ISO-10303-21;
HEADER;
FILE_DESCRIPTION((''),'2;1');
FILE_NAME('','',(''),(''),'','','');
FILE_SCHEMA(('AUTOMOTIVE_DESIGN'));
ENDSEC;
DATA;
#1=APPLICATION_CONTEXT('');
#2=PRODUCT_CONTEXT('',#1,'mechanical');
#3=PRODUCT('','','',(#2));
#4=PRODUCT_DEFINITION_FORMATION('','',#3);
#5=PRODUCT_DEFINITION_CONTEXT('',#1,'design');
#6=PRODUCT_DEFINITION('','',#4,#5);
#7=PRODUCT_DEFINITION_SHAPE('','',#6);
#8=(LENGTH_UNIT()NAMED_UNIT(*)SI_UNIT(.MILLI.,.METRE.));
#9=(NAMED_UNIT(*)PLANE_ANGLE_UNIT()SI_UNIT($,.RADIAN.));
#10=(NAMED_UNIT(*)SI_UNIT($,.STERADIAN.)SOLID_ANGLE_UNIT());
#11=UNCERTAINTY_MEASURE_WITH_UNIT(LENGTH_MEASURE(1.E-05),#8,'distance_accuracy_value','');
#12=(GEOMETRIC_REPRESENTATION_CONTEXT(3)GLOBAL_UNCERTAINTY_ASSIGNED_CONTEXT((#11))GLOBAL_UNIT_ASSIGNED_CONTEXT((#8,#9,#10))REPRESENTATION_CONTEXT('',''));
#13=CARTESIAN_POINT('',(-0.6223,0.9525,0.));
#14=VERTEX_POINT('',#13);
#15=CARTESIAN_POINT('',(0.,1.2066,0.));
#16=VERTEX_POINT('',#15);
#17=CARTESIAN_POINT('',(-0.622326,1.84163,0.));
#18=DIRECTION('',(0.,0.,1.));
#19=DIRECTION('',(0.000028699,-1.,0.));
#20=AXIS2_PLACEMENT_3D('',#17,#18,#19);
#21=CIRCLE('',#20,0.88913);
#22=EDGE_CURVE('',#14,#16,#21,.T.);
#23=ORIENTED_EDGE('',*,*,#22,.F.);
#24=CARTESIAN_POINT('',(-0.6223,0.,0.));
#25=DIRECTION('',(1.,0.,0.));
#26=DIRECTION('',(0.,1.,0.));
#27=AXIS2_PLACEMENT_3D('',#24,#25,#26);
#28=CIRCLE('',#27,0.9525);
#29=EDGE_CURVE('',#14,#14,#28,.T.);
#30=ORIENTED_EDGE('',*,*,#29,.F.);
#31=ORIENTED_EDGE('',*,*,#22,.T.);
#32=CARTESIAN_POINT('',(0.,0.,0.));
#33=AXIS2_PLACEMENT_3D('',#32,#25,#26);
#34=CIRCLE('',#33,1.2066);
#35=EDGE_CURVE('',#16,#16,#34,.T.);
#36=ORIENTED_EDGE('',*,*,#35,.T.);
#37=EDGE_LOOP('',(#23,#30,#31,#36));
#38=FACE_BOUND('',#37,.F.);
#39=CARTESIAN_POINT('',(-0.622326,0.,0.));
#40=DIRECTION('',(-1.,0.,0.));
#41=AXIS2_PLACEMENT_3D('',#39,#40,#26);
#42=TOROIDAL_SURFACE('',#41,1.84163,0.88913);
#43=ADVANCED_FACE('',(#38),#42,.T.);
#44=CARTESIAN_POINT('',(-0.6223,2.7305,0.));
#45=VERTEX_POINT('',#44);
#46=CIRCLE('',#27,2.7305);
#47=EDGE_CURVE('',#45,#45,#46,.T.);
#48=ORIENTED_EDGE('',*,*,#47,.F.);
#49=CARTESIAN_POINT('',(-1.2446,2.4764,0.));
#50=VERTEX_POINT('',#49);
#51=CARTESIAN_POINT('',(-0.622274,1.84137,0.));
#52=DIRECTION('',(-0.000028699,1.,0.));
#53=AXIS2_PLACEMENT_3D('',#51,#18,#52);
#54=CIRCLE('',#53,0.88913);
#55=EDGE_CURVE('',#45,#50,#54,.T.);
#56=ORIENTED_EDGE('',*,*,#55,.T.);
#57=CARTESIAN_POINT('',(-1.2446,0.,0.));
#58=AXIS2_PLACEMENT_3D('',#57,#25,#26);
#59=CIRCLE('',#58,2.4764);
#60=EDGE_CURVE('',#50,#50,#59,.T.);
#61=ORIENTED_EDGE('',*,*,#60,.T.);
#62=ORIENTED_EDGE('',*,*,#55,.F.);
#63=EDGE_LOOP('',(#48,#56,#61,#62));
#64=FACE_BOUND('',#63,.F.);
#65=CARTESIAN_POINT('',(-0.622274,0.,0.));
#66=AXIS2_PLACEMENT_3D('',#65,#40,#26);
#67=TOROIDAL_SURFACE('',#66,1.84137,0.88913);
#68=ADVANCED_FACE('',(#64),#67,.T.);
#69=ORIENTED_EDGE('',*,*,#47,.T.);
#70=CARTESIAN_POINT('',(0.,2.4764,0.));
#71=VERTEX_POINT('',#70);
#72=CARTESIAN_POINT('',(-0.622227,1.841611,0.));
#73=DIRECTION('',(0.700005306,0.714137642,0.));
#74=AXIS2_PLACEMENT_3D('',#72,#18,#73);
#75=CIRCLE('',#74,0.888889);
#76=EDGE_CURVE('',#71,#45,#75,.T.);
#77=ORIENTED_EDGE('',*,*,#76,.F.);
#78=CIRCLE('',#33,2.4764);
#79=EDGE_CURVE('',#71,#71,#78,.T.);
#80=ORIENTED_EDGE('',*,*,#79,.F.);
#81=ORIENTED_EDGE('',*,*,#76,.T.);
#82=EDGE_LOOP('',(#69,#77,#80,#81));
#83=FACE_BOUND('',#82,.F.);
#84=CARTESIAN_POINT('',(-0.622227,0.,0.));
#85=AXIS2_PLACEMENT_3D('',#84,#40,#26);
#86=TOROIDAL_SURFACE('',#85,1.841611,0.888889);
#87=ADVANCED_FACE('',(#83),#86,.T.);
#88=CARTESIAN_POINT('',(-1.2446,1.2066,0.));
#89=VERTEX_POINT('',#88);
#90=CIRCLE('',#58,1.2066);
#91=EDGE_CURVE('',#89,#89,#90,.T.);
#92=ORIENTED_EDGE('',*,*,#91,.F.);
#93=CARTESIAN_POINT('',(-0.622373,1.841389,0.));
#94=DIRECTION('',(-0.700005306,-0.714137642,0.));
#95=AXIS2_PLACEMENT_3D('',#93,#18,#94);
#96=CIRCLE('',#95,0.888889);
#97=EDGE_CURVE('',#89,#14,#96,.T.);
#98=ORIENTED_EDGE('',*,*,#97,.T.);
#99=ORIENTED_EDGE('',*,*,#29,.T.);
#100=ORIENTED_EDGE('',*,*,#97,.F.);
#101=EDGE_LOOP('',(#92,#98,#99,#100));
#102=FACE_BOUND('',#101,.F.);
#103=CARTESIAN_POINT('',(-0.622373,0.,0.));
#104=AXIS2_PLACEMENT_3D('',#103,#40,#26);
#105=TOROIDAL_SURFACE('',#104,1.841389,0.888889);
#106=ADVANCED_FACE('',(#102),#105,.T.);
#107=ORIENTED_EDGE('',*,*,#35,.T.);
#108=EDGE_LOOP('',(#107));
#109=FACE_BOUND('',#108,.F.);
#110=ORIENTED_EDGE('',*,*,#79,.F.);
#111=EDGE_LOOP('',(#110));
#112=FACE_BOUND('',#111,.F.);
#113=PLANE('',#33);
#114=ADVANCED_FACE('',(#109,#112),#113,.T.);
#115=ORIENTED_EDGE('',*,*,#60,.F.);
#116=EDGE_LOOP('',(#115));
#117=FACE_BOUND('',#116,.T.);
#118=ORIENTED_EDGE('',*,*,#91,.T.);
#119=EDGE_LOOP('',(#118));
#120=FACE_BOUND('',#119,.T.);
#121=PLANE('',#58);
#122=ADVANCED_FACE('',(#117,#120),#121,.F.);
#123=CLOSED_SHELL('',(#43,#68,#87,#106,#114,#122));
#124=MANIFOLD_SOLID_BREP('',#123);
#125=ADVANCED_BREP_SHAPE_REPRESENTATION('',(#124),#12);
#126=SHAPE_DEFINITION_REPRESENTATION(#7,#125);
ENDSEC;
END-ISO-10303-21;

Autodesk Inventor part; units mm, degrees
ref_plane "YZ Plane" through (0, 0, 0) normal (1, 0, 0) x (0, 1, 0)
ref_plane "XZ Plane" through (0, 0, 0) normal (0, 1, 0) x (-1, 0, 0)
ref_plane "XY Plane" through (0, 0, 0) normal (0, 0, 1) x (1, 0, 0)
sketch "Sketch1" plane through (0, 0, 0) normal (0, 0, 1) x (1, 0, 0)
  arc A0 (-0.6223, 0.9525) -> (0, 1.2066) centre (-0.6223, 1.8415) ccw
  line L0 (0, 1.8415) -> (-0.6223, 1.8415)
  line L1 (-0.6223, 1.8415) -> (-0.6223, 0.9525)
  line L2 (0, 1.2066) -> (0, 1.8415)
  arc A1 (0, 2.4764) -> (-0.6223, 2.7305) centre (-0.6223, 1.8415) ccw
  line L3 (-0.6223, 1.8415) -> (-0.6223, 2.7305)
  line L4 (0, 2.4764) -> (0, 1.8415)
  arc A2 (-1.2446, 1.2066) -> (-0.6223, 0.9525) centre (-0.6223, 1.8415) ccw
  line L5 (-1.2446, 1.2066) -> (-1.2446, 1.8415)
  arc A3 (-0.6223, 2.7305) -> (-1.2446, 2.4764) centre (-0.6223, 1.8415) ccw
  line L6 (-0.6223, 1.8415) -> (-0.6223, 2.7305)
  line L7 (-1.2446, 2.4764) -> (-1.2446, 1.8415)
  line L8 (0, 20.1057) -> (0, -3.3509) projected
  line L9 (-2, 0) -> (1, 0)
  line L10 (-2.62, 0) -> (1.6033, 0) projected
  dimension "d0" = 0.889
  dimension "d1" = 0.6223
  dimension "d13" = 1.905
revolve "Body" add sketch "Sketch1" angle 360 about axis through (-2, 0, 0) along (1, 0, 0)
equation "\"d0\" = 0.5 * QDM"
equation "\"d1\" = 0.5 * NTOR"
equation "\"d13\" = NDO1"
equation "\"QDM\" = 1.778"
equation "\"NTOR\" = 1.2446"
equation "\"NDO1\" = 1.905"
equation "\"R2\" = 0.127"
equation "\"SD1\" = 1.778"
equation "\"R1\" = 0.254"
equation "\"NB1\" = 3.175"
properties part number "AS 568 - DASH # 004" material "Rubber"
